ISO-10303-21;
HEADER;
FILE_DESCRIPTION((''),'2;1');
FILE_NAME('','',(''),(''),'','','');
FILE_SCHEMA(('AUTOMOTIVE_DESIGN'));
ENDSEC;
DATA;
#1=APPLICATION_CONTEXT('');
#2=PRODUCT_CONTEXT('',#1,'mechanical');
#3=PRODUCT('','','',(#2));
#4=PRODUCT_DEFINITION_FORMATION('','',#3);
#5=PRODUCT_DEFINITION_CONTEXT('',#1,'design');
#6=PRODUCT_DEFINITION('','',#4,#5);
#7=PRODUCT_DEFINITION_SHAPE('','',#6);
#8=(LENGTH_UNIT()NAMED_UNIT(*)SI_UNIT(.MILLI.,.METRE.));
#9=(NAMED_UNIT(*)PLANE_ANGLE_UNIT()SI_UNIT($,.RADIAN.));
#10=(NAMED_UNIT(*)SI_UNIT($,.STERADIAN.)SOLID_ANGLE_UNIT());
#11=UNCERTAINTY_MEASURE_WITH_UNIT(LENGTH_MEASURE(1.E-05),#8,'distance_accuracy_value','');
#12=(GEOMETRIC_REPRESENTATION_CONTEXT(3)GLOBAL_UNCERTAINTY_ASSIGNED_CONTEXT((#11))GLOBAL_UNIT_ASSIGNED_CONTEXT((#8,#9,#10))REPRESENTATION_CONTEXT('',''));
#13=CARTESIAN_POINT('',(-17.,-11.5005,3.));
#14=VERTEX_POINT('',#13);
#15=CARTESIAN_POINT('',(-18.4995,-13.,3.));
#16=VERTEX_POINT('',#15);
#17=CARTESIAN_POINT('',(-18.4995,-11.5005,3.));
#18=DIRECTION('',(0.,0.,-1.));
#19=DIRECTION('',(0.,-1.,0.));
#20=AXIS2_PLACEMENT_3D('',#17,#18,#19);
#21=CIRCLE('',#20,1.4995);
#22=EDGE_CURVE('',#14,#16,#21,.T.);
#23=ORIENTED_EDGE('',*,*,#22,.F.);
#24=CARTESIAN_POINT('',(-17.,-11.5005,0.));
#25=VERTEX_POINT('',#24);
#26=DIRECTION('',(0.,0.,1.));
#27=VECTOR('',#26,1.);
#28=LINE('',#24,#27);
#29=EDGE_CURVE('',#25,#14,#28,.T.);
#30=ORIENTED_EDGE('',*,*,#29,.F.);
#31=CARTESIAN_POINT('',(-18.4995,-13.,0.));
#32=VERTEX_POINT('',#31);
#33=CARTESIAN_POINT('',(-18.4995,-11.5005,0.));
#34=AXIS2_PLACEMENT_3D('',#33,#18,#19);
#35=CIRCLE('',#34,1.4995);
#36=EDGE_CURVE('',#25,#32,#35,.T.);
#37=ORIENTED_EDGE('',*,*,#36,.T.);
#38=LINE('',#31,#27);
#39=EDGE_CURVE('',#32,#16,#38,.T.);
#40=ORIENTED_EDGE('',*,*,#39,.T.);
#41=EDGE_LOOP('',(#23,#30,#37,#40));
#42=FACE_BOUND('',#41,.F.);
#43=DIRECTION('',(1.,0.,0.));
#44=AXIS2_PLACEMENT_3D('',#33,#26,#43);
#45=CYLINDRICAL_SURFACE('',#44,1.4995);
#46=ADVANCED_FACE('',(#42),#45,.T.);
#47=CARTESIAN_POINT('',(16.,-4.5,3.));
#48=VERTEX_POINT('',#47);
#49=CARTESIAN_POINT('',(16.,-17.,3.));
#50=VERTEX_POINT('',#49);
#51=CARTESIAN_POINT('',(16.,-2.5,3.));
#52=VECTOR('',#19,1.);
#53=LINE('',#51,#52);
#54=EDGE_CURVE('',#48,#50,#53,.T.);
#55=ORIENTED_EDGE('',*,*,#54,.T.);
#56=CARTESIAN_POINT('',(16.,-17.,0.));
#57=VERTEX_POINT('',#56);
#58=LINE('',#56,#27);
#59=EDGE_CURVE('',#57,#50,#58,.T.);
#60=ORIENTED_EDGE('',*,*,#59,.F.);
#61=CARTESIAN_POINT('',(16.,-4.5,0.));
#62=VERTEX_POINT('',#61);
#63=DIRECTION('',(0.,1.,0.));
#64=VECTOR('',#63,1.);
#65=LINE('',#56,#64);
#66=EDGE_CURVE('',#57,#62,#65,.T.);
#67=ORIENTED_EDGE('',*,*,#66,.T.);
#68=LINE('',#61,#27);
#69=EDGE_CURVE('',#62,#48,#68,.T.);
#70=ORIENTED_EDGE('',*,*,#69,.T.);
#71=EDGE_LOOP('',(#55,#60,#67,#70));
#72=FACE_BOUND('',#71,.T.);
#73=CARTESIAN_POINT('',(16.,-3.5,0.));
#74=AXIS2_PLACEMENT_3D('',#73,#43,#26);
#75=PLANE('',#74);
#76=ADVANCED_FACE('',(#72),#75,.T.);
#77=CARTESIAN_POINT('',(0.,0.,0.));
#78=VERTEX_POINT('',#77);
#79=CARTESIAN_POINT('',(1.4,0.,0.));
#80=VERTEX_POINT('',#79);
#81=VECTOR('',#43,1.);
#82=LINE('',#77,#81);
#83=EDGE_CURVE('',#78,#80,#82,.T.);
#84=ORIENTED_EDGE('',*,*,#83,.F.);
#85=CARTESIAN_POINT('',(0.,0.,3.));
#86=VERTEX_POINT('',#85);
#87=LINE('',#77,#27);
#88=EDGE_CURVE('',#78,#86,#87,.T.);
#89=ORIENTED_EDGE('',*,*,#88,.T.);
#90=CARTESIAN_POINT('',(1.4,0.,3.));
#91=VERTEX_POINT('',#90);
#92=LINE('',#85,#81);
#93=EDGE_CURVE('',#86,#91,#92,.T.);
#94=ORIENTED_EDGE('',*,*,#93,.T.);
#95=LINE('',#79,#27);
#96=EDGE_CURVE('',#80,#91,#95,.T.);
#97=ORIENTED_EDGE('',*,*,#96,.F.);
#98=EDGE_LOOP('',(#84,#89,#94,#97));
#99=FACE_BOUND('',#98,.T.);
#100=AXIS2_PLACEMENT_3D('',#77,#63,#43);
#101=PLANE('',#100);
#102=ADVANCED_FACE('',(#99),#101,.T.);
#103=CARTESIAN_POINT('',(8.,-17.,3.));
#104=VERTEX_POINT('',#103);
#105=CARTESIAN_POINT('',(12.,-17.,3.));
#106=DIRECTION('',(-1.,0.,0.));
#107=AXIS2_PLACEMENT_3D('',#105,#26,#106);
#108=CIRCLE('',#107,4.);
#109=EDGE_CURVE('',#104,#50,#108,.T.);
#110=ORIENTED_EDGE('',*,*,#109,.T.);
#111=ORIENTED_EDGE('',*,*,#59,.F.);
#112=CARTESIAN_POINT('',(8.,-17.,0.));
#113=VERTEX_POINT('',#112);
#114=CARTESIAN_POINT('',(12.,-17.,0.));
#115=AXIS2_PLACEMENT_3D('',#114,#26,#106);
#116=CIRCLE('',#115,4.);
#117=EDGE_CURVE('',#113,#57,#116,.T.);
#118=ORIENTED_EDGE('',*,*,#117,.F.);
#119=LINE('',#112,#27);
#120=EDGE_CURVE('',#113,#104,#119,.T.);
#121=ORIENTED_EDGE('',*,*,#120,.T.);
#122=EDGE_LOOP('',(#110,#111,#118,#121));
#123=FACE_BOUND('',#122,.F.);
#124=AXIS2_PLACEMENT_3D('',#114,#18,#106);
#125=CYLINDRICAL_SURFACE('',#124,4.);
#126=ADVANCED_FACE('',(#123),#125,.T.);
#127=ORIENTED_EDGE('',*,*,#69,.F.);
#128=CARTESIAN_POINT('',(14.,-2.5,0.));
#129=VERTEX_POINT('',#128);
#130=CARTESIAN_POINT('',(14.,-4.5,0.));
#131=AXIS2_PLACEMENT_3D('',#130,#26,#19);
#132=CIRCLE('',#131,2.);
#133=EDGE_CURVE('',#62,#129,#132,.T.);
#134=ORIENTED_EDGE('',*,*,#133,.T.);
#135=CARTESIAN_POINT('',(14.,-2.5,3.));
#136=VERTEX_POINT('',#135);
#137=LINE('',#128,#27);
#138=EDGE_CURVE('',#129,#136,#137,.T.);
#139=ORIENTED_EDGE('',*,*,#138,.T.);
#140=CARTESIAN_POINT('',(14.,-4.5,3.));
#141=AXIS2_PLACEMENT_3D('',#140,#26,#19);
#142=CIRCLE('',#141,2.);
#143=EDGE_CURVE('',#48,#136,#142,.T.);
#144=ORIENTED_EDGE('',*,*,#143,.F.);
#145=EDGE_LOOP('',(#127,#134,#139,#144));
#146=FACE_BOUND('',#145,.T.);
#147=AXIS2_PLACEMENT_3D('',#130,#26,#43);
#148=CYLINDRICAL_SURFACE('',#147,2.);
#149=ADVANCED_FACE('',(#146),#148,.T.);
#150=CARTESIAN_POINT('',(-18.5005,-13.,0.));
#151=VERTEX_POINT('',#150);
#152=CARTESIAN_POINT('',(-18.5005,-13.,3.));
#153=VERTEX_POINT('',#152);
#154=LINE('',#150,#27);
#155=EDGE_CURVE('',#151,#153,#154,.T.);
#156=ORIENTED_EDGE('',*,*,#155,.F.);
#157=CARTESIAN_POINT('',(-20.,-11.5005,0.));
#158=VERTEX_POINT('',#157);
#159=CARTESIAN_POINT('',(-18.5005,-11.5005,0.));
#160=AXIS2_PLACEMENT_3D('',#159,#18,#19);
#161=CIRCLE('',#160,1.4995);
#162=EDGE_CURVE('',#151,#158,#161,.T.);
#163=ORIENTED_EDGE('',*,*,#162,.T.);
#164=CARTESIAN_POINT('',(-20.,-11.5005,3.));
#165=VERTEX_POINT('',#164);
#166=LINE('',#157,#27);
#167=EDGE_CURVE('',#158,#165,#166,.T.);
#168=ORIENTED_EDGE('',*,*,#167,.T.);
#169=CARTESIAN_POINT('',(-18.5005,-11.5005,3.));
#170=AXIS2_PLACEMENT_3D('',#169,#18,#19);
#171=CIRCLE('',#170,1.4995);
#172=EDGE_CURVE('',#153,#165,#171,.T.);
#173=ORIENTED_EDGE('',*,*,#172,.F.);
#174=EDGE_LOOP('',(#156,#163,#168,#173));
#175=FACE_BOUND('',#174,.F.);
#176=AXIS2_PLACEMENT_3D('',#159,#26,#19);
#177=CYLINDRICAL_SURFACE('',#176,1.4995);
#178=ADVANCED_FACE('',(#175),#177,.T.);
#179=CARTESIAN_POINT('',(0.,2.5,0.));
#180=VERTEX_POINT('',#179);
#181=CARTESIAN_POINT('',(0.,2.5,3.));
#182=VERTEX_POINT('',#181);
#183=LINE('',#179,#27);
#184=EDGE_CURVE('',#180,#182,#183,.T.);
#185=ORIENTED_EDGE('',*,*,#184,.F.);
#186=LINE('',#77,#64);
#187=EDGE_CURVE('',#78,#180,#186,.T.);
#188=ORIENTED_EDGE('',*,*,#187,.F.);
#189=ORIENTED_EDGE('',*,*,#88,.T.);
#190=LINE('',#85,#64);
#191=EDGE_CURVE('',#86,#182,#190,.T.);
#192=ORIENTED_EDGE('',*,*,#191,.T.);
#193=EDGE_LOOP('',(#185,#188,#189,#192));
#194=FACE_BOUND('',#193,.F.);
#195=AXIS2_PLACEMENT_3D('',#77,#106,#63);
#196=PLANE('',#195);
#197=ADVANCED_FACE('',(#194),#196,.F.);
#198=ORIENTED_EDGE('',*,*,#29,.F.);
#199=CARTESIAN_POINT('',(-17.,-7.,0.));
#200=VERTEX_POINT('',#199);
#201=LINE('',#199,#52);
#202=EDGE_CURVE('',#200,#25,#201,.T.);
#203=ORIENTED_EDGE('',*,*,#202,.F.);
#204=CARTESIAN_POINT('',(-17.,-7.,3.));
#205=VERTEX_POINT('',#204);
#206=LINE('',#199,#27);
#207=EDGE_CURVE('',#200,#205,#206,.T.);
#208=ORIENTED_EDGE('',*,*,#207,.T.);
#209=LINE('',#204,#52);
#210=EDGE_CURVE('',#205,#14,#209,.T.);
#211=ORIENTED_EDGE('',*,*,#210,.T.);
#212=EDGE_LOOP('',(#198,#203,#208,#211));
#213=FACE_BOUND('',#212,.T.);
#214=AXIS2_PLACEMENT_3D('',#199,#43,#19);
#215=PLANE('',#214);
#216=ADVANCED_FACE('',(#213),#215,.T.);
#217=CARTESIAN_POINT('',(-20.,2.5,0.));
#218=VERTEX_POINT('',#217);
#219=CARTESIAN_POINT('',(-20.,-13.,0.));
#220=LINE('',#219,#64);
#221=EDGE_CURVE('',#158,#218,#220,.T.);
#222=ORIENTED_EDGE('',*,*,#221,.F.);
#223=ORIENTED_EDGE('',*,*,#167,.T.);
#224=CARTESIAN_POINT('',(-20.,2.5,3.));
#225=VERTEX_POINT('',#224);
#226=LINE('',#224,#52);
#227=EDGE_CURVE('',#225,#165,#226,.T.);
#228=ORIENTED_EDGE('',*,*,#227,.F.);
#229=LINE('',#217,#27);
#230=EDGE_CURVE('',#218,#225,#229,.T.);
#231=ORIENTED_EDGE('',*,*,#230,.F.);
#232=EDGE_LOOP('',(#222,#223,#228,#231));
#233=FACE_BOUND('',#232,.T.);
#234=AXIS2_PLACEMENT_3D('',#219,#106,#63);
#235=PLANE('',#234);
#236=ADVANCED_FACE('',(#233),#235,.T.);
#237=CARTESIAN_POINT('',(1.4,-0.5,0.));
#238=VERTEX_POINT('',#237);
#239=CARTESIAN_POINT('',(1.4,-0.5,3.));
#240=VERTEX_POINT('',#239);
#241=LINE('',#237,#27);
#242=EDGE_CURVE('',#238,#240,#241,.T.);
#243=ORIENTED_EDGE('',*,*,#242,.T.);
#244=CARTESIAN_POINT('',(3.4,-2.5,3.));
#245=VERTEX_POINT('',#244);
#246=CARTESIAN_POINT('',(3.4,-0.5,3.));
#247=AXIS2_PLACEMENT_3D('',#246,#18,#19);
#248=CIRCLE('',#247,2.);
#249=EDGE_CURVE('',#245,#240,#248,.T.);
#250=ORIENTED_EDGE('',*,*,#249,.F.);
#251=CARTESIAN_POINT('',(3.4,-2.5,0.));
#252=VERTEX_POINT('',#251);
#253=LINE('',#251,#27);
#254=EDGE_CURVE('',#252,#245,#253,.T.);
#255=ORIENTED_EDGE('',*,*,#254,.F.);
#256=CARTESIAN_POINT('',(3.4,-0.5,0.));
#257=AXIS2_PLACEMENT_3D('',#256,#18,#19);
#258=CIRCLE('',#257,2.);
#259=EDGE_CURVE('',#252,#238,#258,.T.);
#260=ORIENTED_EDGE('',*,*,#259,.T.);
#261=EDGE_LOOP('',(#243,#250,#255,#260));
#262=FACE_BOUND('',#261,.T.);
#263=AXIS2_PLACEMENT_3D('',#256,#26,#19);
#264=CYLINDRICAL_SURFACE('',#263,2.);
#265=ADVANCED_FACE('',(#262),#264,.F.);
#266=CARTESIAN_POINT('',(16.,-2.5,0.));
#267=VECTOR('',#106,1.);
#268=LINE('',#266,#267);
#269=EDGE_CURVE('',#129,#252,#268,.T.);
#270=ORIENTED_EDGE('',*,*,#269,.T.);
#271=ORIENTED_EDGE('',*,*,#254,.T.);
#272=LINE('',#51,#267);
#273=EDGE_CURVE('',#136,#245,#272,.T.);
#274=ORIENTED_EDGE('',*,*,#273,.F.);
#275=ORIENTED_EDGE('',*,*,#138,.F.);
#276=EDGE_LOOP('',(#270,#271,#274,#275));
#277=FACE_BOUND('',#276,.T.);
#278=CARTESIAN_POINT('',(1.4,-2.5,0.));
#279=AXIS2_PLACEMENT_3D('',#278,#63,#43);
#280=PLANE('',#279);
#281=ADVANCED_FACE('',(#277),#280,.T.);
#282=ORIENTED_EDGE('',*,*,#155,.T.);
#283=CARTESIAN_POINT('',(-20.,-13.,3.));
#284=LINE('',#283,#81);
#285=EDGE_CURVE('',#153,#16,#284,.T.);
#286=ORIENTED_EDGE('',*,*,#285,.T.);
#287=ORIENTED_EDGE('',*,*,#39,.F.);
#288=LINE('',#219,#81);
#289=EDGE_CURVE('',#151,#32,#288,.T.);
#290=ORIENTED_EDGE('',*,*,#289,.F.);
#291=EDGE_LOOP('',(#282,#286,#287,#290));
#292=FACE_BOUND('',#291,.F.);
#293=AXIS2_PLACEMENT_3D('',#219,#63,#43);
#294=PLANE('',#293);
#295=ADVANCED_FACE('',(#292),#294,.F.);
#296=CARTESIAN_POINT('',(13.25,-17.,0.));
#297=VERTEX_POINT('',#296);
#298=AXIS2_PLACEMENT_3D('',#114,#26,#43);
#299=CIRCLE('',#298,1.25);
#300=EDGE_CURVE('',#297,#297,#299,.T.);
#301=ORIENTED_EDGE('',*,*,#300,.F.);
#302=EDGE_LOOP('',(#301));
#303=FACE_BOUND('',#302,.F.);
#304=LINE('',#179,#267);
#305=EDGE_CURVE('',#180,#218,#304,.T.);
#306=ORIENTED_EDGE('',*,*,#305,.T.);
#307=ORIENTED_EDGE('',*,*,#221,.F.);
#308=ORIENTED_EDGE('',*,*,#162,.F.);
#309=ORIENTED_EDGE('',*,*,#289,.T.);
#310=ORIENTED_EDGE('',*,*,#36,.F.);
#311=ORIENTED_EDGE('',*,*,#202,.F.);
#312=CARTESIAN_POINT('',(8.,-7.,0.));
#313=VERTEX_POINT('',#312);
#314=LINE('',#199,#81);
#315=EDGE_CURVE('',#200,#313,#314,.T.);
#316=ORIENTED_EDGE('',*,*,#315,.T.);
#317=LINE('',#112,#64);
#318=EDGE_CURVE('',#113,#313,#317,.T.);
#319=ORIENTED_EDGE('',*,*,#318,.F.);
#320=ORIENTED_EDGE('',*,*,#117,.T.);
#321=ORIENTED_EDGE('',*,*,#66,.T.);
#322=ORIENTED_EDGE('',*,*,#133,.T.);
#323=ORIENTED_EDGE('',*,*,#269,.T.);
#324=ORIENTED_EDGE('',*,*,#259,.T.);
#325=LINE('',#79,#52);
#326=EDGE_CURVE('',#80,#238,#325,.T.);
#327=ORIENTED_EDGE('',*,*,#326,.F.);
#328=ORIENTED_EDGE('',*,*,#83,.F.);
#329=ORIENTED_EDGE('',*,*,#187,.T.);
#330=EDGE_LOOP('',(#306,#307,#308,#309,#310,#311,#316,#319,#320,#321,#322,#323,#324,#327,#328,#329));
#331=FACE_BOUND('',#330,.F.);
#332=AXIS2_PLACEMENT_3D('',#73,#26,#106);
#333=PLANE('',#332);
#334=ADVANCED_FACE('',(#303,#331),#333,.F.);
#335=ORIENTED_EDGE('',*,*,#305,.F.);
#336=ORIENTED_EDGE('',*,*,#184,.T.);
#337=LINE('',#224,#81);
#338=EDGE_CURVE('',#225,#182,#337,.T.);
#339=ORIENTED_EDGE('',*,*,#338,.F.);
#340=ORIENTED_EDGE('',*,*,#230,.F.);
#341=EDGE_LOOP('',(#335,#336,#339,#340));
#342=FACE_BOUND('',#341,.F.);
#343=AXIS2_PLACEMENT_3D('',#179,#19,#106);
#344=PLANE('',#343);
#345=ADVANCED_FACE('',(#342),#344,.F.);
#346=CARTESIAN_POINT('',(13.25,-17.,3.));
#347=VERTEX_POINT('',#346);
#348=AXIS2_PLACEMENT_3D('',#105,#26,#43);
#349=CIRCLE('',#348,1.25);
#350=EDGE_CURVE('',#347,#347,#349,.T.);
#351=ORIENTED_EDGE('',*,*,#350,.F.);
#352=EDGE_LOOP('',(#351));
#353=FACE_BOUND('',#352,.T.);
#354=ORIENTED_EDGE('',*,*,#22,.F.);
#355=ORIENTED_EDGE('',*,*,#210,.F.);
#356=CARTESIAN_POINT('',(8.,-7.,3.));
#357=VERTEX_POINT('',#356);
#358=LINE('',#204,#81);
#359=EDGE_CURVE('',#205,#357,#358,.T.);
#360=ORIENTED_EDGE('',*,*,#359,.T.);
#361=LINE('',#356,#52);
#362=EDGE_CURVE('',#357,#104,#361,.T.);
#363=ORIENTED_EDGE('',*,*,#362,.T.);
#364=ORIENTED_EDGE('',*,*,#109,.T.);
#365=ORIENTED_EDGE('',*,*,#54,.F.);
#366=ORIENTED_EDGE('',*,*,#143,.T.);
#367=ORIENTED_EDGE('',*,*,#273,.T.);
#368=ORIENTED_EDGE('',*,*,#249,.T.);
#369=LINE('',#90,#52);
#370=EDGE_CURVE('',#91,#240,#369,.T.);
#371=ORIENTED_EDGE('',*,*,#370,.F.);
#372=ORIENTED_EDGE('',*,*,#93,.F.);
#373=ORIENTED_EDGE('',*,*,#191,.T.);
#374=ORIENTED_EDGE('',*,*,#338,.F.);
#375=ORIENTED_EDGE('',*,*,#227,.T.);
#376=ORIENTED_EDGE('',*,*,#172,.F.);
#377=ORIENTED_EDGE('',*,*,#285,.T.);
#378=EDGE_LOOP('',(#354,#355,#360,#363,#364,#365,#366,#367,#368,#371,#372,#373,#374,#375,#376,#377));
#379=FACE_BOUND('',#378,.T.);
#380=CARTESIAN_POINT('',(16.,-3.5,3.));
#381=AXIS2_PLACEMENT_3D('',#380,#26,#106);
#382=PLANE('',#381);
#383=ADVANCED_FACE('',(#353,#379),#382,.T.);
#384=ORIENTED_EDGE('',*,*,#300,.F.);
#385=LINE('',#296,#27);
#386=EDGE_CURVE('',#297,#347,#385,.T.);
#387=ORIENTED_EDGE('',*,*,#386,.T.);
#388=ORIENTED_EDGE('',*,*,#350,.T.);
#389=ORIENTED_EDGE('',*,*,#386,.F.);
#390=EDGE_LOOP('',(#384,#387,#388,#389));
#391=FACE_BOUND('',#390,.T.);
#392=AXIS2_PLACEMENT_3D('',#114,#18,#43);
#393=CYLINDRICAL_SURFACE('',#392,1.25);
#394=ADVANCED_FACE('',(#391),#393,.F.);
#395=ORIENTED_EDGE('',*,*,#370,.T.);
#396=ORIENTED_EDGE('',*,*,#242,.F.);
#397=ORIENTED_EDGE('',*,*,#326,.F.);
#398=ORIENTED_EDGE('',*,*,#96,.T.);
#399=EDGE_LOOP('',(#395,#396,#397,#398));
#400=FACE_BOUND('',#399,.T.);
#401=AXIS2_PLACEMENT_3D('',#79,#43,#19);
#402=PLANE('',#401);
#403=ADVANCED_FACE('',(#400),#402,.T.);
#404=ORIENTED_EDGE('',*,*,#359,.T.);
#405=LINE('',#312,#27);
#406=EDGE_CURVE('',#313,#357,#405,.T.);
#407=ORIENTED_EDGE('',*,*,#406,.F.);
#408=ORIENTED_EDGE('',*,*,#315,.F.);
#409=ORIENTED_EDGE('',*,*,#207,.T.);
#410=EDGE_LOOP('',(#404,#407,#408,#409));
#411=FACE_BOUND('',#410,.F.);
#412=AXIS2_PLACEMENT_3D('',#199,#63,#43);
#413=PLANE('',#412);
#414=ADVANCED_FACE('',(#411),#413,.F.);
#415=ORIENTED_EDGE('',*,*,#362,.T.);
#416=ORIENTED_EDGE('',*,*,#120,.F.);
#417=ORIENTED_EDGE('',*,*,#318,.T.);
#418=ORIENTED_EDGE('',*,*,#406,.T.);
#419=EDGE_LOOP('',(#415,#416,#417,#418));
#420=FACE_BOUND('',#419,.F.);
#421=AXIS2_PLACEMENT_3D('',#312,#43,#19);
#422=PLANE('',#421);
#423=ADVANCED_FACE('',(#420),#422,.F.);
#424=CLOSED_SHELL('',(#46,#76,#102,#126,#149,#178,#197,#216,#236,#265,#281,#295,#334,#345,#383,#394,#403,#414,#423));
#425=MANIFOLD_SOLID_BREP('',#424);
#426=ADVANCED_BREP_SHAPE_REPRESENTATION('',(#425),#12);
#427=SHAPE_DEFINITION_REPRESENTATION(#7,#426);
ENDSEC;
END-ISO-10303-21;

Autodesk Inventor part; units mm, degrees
ref_plane "YZ Plane" through (0, 0, 0) normal (1, 0, 0) x (0, 1, 0)
ref_plane "XZ Plane" through (0, 0, 0) normal (0, 1, 0) x (-1, 0, 0)
ref_plane "XY Plane" through (0, 0, 0) normal (0, 0, 1) x (1, 0, 0)
sketch "Эскиз1" plane through (0, 0, 0) normal (0, 0, 1) x (1, 0, 0)
  line L0 (-5.9183, 2.5) -> (-5.9183, 5) projected
  line L1 (0, 0) -> (0, 2.5)
  line L2 (0, 2.5) -> (-20, 2.5)
  line L3 (-20, 0) -> (-20, 2.5)
  line L4 (0, 0) -> (1.4, 0)
  line L5 (1.4, 0) -> (1.4, -3.5)
  line L6 (-20, -13) -> (-17, -13)
  line L7 (-17, -7) -> (8, -7)
  line L8 (8, -13) -> (16, -13)
  line L9 (16, -3.5) -> (1.4, -3.5)
  line L10 (8, -13) -> (8, -17)
  line L11 (16, -17) -> (16, -13)
  arc A0 (8, -17) -> (16, -17) centre (12, -17) ccw
  circle A1 centre (12, -17) radius 1.25
  line L12 (16, -13) -> (16, -3.5)
  line L13 (8, -7) -> (8, -13)
  line L14 (-17, -7) -> (-17, -13)
  line L15 (-20, -13) -> (-20, 0)
  spline S0 degree 3 poles (-5.9183, 5) (-5.9183, 4.7015) (-5.9968, 4.352) (-6.2503, 3.7878) (-6.4767, 3.4776) (-6.9505, 3.0315) (-7.2856, 2.8188) (-7.8976, 2.5753) (-8.2838, 2.5) (-8.6117, 2.5) knots 0.75861 0.75861 0.75861 0.75861 0.84817 0.84817 0.944164 0.944164 1.043394 1.043394 1.141763 1.141763 1.141763 1.141763 projected
  line L16 (-5.9183, 2.5) -> (-8.6117, 2.5) projected
  dimension "d7" = 2.5
extrude "Выдавливание2" add sketch "Эскиз1" along normal blind 3 contours L2 L1 L4 L5 L9 L12 L8 L13 L7 L14 L6 L15 L3 | L11 A0 L10 L8
sketch "Эскиз2" plane through (1.4, -3.5, 0) normal (0, 1, 0) x (1, 0, 0)
  line L0 (14.6, 0) -> (0, 0) projected
  line L1 (0, 0) -> (0, -3) projected
  line L2 (14.6, -3) -> (0, -3) projected
  line L3 (14.6, 0) -> (14.6, -3) projected
  point P0 (-1.4, 0)
extrude "Выдавливание3" add sketch "Эскиз2" along normal blind 1
fillet "Сопряжение3" radius 2 2 edges at (1.4, -2.5, 1.5) (16, -2.5, 1.5)
fillet "Сопряжение4" radius 1.5 2 edges at (-17, -13, 1.5) (-20, -13, 1.5)
properties part number "RackeSecondary"
